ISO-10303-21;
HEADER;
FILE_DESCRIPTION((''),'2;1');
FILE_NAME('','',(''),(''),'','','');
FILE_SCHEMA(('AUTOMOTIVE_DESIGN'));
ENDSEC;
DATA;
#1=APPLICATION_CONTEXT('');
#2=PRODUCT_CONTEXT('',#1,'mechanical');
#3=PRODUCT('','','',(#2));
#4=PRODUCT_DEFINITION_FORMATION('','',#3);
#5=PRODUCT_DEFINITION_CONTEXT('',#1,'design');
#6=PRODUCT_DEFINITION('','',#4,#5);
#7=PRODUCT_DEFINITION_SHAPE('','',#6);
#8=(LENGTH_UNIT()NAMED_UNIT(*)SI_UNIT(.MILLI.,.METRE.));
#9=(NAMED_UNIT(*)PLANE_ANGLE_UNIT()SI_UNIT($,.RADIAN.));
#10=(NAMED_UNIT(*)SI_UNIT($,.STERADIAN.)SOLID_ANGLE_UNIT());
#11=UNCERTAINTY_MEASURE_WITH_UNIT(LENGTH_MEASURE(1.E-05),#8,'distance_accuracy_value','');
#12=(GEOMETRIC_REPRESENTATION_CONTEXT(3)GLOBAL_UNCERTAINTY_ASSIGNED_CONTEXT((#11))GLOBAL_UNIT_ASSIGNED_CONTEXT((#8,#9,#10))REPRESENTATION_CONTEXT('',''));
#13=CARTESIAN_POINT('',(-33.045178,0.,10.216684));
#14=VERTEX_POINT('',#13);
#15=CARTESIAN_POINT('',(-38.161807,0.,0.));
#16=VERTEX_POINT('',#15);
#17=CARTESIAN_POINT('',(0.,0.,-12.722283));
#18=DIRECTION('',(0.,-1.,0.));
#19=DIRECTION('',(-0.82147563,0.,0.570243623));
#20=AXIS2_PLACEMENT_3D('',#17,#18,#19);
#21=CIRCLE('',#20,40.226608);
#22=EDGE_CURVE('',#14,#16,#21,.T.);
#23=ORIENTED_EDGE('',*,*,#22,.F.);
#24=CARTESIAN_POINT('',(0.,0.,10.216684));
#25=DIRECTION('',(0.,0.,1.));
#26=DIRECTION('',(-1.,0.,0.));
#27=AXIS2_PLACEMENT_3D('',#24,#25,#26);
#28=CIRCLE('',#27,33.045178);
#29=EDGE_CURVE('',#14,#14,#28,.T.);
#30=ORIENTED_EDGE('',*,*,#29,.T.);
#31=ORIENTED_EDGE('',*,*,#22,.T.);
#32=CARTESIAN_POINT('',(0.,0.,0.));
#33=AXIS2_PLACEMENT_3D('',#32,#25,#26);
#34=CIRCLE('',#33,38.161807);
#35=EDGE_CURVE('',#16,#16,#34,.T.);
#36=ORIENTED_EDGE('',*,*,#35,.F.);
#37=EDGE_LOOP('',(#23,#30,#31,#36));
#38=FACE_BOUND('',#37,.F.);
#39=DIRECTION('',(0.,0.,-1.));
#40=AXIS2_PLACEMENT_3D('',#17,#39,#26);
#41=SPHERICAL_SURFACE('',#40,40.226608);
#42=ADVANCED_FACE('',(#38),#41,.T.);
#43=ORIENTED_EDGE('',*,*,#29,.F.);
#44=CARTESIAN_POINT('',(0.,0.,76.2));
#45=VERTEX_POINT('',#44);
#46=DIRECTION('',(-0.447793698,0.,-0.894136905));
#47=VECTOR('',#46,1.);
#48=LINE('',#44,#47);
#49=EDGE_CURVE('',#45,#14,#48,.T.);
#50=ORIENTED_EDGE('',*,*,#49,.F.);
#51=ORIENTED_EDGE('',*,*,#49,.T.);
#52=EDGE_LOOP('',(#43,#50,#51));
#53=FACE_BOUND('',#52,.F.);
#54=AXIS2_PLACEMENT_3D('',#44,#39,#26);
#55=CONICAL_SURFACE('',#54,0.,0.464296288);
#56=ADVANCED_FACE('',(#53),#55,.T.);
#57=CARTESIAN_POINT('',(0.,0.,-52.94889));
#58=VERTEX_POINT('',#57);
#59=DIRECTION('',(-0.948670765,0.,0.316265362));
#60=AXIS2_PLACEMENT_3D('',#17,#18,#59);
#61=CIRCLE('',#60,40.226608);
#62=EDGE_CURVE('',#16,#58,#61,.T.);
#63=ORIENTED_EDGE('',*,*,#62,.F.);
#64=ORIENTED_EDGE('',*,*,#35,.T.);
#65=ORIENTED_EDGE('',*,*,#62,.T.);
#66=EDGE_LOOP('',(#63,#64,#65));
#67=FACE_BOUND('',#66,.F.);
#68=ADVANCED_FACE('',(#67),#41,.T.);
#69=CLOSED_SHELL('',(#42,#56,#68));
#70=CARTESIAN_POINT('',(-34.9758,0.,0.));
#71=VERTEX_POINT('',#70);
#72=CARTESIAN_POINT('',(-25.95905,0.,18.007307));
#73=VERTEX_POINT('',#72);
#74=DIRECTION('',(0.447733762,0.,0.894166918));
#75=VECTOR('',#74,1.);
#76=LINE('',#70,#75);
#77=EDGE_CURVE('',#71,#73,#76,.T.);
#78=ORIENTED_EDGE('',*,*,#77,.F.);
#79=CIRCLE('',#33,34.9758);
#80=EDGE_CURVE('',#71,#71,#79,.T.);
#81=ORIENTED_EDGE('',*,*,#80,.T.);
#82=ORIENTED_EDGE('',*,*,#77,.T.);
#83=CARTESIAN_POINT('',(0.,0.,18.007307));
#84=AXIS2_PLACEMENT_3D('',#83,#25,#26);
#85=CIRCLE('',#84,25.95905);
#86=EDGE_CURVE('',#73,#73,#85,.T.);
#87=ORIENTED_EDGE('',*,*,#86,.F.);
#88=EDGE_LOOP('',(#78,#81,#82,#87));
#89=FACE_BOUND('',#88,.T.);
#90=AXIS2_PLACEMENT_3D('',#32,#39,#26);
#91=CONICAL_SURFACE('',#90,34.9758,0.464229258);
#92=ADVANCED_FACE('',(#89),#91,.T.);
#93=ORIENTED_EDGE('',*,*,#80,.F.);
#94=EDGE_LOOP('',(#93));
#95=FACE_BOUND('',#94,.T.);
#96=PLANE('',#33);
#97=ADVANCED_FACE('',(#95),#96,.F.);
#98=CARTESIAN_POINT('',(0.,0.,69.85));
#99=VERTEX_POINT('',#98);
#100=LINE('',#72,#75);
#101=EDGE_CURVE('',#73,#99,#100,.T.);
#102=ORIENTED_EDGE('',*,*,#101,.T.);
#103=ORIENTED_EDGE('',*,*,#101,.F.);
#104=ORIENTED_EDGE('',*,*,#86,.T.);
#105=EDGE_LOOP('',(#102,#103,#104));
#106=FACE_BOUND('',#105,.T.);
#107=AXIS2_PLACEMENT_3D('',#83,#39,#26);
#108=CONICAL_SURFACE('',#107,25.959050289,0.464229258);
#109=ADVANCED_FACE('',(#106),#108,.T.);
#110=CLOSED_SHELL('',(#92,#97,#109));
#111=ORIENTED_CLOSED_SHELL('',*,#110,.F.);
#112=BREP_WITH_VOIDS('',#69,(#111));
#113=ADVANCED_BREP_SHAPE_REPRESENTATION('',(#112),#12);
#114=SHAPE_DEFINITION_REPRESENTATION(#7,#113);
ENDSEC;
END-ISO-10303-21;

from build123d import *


with BuildPart() as f1:
    # F0 (on Front) → F1 (revolve)
    with BuildSketch(Plane.XZ):
        with BuildLine():
            Line((-38.1618067622, 0), (-33.0451779445, 10.2166838782))
            ThreePointArc((-33.0451779445, 10.2166838782), (-35.9680945439, 5.2909387678), (-38.1618067622, 0))
        make_face()
        with BuildLine():
            Line((-34.9758, 0), (-25.9590502891, 18.0073069752))
            ThreePointArc((-25.9590502891, 18.0073069752), (-29.7581617279, 14.3448890008), (-33.0451779445, 10.2166838782))
            Line((-33.0451779445, 10.2166838782), (-38.1618067622, 0))
            Line((-38.1618067622, 0), (-34.9758, 0))
        make_face()
        with BuildLine():
            Line((-25.9590502891, 18.0073069752), (0, 69.85))
            Line((0, 69.85), (0, 76.2))
            Line((0, 76.2), (-33.0451779445, 10.2166838782))
            ThreePointArc((-33.0451779445, 10.2166838782), (-29.7581617279, 14.3448890008), (-25.9590502891, 18.0073069752))
        make_face()
        with BuildLine():
            Line((0, -12.7222826704), (0, 0))
            Line((0, 0), (-34.9758, 0))
            Line((-34.9758, 0), (-38.1618067622, 0))
            ThreePointArc((-38.1618067622, 0), (-32.6339872408, -36.2425473047), (0, -52.9488904283))
            Line((0, -52.9488904283), (0, -15.2230868116))
            Line((0, -15.2230868116), (0, -12.7222826704))
        make_face()
    revolve(axis=Axis((0, 0, 38.1), (0, 0, 1)))


solid = f1.part
